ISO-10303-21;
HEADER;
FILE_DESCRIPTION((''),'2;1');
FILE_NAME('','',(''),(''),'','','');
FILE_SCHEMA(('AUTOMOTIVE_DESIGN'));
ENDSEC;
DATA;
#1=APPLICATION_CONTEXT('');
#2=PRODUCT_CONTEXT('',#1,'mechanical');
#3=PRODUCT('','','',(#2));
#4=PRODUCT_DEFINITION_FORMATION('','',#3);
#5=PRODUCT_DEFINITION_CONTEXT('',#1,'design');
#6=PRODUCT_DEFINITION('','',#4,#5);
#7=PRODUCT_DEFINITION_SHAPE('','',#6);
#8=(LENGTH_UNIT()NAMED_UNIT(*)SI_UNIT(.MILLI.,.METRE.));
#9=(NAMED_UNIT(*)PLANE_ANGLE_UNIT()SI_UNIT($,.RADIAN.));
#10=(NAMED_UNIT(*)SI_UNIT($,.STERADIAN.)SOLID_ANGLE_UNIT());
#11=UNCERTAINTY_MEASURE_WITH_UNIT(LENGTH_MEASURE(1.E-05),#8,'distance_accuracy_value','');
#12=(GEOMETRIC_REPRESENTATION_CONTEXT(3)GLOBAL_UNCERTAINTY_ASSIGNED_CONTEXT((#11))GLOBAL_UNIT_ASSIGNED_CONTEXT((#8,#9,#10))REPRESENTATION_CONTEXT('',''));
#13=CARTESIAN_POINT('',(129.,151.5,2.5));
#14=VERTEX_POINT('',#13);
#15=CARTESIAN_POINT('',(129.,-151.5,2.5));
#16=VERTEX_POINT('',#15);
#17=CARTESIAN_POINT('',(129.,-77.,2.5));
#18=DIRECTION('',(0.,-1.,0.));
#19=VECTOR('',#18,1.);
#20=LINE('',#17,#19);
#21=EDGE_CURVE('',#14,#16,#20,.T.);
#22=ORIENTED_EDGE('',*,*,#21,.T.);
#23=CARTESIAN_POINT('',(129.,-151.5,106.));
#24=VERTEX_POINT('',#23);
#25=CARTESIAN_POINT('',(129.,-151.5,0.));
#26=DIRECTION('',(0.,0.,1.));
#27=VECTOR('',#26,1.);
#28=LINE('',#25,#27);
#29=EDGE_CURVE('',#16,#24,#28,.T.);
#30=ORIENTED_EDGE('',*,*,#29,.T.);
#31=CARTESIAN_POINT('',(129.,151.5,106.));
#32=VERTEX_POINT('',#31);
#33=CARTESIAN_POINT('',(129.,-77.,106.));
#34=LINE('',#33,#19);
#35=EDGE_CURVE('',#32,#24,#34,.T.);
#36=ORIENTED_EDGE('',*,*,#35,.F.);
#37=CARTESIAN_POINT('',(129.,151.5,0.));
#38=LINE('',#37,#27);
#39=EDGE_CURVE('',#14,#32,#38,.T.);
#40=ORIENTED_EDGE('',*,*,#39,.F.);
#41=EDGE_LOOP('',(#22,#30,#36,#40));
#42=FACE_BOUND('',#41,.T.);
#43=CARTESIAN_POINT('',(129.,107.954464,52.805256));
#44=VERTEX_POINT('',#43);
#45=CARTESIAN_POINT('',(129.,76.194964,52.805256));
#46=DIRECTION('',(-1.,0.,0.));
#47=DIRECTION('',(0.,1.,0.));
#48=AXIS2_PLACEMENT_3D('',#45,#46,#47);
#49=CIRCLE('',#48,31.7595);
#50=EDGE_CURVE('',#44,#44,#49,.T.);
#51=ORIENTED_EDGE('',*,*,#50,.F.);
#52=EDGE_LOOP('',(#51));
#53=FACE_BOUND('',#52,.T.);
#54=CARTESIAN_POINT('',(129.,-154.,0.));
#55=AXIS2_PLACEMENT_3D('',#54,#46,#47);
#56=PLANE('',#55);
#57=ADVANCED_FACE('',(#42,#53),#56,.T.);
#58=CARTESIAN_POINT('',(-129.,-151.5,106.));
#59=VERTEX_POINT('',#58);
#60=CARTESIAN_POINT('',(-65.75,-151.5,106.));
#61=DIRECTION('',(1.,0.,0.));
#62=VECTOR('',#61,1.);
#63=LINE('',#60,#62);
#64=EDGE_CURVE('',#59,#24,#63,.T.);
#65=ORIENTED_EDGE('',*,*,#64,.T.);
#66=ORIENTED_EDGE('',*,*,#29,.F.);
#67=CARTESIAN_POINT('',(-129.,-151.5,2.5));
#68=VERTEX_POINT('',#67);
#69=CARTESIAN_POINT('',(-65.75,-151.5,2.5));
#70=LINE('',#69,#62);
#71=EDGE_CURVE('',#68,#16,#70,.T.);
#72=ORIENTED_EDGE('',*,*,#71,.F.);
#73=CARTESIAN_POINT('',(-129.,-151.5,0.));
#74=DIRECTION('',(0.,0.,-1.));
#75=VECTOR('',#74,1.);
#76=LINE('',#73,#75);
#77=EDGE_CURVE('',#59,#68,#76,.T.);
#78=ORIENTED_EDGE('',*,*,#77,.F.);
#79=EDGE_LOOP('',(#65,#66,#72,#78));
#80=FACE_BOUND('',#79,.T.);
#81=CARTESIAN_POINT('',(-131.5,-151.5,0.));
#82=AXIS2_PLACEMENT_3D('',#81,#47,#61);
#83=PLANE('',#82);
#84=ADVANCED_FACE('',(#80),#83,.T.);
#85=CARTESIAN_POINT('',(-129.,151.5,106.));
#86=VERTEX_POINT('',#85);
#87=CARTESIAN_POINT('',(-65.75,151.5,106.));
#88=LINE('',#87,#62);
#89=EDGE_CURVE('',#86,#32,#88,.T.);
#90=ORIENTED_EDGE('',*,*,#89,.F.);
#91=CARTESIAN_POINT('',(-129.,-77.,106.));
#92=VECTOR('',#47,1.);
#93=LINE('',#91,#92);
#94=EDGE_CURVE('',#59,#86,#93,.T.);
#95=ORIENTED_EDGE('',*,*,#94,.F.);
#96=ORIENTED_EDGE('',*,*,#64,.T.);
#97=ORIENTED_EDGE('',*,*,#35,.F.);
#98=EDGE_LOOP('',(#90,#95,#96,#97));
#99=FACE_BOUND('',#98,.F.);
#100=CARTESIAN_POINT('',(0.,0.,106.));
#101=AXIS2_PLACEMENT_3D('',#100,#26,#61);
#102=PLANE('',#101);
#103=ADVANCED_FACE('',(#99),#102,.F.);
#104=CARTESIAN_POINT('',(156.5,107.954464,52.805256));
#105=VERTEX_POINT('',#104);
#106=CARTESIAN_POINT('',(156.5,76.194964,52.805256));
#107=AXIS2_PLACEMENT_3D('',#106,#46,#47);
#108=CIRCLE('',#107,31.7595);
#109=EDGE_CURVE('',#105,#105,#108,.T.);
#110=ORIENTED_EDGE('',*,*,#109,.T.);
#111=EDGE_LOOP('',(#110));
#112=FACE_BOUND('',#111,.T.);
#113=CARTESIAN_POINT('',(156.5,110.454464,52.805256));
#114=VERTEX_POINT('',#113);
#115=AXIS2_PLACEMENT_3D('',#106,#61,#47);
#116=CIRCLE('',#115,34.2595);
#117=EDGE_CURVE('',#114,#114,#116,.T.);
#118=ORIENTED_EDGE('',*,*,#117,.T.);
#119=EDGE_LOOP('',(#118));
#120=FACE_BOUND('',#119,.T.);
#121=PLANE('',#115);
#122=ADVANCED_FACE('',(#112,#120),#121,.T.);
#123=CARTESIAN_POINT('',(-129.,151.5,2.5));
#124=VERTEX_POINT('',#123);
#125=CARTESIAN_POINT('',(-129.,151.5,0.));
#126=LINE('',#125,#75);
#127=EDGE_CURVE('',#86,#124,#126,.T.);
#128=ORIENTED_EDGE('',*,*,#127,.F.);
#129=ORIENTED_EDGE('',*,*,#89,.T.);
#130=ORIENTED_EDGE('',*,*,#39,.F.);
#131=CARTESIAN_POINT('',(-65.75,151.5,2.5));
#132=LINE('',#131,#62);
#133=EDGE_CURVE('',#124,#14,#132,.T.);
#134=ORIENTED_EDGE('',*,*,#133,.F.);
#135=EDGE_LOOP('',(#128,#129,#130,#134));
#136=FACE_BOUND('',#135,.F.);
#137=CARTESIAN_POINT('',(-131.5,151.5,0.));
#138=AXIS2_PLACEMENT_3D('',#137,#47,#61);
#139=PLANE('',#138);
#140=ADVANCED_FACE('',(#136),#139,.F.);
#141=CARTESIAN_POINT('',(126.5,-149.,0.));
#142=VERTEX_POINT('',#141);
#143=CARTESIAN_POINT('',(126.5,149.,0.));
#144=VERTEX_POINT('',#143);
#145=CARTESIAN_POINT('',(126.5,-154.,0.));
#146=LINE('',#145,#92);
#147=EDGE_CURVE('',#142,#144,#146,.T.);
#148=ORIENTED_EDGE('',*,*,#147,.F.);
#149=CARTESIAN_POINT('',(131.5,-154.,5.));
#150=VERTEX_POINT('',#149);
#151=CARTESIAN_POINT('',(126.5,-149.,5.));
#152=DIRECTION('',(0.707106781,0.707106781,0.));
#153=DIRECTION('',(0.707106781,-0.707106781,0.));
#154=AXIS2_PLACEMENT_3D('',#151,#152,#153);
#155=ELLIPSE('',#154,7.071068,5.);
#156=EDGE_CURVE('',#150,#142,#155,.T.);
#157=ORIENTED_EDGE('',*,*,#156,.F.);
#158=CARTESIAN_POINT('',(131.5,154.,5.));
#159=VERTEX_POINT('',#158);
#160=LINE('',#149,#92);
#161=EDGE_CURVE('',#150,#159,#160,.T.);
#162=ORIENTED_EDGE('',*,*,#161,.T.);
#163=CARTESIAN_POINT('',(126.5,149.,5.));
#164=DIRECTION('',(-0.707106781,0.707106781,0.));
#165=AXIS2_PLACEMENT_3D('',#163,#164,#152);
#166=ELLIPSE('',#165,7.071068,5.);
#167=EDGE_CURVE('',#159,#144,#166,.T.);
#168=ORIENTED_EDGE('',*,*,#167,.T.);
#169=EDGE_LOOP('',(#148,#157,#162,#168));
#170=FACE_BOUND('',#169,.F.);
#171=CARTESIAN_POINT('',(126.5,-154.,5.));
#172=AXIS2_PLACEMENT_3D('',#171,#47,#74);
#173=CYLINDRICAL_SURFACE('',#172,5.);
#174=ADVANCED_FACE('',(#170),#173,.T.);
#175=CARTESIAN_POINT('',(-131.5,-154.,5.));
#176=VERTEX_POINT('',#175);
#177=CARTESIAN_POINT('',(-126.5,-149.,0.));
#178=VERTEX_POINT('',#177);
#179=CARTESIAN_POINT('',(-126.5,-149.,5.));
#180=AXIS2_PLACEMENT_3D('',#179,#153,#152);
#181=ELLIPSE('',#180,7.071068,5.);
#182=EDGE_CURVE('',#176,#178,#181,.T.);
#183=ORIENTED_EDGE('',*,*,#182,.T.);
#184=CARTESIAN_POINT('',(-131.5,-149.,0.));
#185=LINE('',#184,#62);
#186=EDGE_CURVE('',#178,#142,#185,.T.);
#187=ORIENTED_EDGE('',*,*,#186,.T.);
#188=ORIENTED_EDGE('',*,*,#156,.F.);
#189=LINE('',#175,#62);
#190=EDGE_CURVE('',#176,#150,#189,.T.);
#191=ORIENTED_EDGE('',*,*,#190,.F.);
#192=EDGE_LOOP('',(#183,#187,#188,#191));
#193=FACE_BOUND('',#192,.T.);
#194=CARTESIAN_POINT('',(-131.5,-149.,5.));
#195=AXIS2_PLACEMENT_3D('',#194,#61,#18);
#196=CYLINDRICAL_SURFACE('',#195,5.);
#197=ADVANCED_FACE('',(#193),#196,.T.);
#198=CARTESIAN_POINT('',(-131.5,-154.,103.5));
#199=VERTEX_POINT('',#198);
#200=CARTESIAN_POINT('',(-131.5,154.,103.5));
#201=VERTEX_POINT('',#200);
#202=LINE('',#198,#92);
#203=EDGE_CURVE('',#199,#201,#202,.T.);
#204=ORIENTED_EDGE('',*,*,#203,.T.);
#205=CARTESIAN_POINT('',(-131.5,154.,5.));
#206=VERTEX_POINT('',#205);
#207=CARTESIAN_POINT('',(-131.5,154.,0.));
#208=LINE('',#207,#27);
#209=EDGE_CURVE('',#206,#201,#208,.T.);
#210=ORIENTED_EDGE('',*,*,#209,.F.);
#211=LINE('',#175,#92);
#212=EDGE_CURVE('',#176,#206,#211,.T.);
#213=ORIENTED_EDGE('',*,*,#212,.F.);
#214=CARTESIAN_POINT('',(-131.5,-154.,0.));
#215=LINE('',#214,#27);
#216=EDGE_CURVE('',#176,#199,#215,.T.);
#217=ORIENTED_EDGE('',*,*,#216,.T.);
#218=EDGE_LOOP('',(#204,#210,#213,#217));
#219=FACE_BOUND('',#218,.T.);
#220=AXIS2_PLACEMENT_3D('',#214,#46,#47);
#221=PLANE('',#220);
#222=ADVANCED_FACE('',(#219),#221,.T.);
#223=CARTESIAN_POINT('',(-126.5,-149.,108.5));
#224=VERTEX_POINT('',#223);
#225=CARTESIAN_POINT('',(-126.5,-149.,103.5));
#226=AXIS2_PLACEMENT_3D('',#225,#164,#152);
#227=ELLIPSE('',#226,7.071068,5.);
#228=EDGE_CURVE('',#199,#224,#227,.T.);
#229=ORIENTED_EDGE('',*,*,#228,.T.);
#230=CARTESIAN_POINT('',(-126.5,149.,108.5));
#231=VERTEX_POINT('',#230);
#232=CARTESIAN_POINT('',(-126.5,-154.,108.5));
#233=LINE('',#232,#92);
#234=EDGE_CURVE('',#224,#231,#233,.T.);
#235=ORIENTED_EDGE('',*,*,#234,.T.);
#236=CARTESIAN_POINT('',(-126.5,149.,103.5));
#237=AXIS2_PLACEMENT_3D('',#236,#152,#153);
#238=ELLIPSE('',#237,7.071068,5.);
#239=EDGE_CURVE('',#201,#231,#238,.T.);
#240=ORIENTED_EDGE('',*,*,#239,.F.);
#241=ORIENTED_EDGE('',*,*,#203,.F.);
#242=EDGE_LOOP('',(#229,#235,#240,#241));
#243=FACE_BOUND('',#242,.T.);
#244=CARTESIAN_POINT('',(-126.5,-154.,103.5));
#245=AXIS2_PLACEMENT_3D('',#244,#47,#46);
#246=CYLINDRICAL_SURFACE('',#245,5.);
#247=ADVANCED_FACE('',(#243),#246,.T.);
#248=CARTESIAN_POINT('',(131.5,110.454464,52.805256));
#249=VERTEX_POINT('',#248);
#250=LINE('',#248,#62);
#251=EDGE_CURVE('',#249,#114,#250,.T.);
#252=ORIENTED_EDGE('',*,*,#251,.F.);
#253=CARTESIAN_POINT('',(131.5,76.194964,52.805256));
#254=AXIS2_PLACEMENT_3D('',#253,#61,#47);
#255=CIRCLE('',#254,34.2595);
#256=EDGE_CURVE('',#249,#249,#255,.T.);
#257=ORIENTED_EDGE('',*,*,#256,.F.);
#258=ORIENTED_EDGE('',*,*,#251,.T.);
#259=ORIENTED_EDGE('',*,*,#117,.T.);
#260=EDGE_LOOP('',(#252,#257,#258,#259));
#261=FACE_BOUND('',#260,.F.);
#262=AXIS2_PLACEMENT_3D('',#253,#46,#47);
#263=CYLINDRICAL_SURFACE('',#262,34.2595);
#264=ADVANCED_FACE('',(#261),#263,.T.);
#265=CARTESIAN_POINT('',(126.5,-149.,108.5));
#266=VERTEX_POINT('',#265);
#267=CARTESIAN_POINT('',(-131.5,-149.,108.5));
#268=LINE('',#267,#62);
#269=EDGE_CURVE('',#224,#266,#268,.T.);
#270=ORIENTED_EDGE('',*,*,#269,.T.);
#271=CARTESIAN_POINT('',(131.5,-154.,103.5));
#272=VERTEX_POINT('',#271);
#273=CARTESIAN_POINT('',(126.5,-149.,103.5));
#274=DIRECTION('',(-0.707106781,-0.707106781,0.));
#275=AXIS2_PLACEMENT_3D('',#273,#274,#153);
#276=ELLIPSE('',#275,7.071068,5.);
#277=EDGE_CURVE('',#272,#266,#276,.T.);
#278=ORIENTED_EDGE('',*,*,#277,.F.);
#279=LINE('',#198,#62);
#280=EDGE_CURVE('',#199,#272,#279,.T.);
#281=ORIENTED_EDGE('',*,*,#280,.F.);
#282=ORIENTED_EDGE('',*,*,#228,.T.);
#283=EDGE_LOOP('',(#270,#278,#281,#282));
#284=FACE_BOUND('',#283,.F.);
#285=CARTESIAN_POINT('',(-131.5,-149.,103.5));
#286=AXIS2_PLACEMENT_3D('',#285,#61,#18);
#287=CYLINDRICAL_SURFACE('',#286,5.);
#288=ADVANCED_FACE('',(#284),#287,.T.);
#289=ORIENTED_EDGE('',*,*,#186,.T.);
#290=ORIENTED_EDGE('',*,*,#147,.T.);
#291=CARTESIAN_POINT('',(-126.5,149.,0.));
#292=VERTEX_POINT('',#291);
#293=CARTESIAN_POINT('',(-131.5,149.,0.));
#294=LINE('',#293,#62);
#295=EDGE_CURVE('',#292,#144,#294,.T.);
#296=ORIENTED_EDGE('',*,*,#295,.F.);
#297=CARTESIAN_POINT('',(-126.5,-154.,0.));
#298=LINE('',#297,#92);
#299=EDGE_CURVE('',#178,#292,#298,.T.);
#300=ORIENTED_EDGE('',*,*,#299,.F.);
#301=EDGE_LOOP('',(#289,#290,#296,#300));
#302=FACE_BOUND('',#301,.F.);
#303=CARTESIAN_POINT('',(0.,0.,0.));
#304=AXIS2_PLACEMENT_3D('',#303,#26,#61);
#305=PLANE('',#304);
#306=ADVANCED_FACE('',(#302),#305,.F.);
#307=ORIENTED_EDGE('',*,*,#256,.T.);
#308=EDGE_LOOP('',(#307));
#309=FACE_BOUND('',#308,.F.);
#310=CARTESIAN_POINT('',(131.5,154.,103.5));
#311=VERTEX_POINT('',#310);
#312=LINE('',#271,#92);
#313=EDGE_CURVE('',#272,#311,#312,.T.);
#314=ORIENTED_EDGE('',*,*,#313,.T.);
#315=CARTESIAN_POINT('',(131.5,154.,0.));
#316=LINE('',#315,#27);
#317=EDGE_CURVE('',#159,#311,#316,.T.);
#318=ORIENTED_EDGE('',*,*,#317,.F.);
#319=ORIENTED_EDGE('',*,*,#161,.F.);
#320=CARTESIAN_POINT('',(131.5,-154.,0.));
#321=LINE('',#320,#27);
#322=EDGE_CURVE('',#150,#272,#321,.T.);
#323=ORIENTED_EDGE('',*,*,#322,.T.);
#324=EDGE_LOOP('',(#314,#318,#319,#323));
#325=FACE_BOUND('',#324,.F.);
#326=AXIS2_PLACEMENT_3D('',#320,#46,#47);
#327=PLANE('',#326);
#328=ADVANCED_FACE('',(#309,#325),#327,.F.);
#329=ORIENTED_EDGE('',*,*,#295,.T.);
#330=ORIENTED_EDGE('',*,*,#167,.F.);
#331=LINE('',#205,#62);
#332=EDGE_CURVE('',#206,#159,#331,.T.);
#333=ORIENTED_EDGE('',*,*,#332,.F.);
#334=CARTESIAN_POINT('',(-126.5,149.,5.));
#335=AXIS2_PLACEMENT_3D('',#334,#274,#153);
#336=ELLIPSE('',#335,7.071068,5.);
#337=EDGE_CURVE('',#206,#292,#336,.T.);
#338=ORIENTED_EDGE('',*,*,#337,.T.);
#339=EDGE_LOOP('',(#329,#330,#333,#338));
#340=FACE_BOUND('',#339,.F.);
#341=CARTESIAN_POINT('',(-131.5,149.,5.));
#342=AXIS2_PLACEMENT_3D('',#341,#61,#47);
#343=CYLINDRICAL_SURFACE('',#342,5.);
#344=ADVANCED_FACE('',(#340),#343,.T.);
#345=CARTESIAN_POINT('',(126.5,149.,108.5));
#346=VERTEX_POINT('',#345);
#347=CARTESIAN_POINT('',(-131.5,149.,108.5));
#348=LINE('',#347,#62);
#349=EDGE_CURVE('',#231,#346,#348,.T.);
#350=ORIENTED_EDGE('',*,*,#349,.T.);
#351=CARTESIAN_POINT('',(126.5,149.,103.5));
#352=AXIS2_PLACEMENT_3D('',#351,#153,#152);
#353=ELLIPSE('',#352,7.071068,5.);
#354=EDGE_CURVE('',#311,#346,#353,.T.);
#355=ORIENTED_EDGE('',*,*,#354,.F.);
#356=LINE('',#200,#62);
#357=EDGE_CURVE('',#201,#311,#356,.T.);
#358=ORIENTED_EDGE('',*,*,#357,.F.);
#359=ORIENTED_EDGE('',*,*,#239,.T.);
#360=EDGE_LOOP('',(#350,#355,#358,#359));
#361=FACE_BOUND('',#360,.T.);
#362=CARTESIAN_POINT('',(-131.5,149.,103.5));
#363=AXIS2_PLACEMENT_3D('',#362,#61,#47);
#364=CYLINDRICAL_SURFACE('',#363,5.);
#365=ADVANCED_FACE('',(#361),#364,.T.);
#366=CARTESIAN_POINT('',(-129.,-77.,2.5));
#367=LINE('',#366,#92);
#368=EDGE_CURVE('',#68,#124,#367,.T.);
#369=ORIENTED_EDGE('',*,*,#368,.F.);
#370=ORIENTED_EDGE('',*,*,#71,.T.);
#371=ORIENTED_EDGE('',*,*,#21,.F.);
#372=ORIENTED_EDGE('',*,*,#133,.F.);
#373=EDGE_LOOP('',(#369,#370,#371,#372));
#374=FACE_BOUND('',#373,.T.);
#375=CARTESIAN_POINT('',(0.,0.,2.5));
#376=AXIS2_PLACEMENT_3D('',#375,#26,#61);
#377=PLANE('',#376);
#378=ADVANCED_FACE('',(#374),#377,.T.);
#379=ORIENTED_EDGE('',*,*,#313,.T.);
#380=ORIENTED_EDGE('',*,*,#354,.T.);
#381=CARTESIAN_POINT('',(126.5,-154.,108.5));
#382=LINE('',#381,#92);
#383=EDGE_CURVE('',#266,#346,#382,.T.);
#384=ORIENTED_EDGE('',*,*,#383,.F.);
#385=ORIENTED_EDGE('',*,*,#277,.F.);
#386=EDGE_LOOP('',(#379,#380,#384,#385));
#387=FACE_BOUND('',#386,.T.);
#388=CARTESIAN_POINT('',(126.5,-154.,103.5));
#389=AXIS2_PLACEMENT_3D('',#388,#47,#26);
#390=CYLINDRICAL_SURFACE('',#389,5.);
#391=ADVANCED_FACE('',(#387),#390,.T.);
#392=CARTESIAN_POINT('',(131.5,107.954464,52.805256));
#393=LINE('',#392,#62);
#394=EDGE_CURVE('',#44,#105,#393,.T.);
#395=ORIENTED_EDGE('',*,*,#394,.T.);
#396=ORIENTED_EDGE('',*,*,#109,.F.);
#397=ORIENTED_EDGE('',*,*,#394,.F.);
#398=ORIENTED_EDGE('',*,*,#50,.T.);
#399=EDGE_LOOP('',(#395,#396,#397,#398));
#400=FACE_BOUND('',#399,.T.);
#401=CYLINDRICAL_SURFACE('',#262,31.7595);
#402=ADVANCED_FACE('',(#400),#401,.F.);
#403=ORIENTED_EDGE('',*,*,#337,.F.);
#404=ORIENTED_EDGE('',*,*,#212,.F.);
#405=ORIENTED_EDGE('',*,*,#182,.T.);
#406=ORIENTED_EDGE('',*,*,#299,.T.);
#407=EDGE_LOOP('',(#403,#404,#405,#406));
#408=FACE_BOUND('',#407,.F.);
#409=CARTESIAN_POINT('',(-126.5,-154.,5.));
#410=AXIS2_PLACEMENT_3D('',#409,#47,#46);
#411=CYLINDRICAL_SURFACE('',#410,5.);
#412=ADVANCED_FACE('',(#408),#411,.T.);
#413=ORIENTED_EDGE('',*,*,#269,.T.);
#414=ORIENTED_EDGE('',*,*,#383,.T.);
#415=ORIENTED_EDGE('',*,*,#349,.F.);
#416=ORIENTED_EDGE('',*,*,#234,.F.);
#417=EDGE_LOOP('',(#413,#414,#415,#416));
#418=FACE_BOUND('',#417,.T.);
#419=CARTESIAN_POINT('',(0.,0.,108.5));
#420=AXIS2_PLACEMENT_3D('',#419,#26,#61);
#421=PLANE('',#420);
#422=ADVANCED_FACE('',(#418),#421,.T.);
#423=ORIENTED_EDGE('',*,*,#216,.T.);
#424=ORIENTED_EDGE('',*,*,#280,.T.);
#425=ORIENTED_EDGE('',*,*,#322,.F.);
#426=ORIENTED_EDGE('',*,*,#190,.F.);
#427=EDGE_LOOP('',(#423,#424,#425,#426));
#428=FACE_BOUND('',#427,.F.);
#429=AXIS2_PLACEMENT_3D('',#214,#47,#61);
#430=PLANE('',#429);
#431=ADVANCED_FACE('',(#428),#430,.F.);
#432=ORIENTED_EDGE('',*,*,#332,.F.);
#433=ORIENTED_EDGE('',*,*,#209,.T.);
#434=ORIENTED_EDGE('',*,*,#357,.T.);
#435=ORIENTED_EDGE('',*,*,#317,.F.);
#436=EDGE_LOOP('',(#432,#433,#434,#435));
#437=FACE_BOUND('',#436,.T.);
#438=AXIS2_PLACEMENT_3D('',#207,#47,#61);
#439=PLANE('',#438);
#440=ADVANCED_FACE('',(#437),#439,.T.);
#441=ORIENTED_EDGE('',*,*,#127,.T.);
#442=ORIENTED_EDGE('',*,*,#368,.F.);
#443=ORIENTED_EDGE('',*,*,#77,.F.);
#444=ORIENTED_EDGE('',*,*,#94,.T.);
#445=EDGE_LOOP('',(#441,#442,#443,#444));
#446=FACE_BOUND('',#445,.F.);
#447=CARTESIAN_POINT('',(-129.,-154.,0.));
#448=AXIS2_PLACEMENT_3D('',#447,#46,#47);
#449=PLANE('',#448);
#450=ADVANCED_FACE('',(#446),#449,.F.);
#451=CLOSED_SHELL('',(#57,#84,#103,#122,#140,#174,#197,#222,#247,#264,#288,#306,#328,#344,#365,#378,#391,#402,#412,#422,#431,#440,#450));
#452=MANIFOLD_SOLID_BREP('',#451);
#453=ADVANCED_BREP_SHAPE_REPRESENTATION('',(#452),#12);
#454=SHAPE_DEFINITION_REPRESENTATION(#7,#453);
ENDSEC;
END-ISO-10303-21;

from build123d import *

# Parameters (mm, degrees)
F0_W     = 263
F0_H     = 308
F1_DEPTH = 108.5
F2_R     = 34.2595
F3_DEPTH = 25
F4_T     = -2.5
F5_R     = 5


with BuildPart() as f1:
    # F0 (on Top) → F1 (new body)
    with BuildSketch(Plane.XY):
        Rectangle(F0_W, F0_H)
    extrude(amount=F1_DEPTH)

    # F2 (on face) → F3 (join)
    with BuildSketch(Plane.YZ.offset(131.5)):
        with Locations((76.1949643493, 52.8052560985)):
            Circle(F2_R)
    extrude(amount=F3_DEPTH)

    # F4
    f4_openings = [f1.faces().sort_by_distance(p)[0] for p in [
        (156.5, 76.194964, 52.805256),
    ]]
    offset(amount=F4_T, openings=f4_openings, kind=Kind.INTERSECTION)

    # F5
    f5_edges = [f1.edges().sort_by_distance(p)[0] for p in [
        (0, 154, 108.5),
        (0, -154, 108.5),
        (0, 154, 0),
        (0, -154, 0),
        (131.5, 0, 108.5),
        (131.5, 0, 0),
        (-131.5, 0, 108.5),
        (-131.5, 0, 0),
    ]]
    fillet(f5_edges, radius=F5_R)


solid = f1.part
